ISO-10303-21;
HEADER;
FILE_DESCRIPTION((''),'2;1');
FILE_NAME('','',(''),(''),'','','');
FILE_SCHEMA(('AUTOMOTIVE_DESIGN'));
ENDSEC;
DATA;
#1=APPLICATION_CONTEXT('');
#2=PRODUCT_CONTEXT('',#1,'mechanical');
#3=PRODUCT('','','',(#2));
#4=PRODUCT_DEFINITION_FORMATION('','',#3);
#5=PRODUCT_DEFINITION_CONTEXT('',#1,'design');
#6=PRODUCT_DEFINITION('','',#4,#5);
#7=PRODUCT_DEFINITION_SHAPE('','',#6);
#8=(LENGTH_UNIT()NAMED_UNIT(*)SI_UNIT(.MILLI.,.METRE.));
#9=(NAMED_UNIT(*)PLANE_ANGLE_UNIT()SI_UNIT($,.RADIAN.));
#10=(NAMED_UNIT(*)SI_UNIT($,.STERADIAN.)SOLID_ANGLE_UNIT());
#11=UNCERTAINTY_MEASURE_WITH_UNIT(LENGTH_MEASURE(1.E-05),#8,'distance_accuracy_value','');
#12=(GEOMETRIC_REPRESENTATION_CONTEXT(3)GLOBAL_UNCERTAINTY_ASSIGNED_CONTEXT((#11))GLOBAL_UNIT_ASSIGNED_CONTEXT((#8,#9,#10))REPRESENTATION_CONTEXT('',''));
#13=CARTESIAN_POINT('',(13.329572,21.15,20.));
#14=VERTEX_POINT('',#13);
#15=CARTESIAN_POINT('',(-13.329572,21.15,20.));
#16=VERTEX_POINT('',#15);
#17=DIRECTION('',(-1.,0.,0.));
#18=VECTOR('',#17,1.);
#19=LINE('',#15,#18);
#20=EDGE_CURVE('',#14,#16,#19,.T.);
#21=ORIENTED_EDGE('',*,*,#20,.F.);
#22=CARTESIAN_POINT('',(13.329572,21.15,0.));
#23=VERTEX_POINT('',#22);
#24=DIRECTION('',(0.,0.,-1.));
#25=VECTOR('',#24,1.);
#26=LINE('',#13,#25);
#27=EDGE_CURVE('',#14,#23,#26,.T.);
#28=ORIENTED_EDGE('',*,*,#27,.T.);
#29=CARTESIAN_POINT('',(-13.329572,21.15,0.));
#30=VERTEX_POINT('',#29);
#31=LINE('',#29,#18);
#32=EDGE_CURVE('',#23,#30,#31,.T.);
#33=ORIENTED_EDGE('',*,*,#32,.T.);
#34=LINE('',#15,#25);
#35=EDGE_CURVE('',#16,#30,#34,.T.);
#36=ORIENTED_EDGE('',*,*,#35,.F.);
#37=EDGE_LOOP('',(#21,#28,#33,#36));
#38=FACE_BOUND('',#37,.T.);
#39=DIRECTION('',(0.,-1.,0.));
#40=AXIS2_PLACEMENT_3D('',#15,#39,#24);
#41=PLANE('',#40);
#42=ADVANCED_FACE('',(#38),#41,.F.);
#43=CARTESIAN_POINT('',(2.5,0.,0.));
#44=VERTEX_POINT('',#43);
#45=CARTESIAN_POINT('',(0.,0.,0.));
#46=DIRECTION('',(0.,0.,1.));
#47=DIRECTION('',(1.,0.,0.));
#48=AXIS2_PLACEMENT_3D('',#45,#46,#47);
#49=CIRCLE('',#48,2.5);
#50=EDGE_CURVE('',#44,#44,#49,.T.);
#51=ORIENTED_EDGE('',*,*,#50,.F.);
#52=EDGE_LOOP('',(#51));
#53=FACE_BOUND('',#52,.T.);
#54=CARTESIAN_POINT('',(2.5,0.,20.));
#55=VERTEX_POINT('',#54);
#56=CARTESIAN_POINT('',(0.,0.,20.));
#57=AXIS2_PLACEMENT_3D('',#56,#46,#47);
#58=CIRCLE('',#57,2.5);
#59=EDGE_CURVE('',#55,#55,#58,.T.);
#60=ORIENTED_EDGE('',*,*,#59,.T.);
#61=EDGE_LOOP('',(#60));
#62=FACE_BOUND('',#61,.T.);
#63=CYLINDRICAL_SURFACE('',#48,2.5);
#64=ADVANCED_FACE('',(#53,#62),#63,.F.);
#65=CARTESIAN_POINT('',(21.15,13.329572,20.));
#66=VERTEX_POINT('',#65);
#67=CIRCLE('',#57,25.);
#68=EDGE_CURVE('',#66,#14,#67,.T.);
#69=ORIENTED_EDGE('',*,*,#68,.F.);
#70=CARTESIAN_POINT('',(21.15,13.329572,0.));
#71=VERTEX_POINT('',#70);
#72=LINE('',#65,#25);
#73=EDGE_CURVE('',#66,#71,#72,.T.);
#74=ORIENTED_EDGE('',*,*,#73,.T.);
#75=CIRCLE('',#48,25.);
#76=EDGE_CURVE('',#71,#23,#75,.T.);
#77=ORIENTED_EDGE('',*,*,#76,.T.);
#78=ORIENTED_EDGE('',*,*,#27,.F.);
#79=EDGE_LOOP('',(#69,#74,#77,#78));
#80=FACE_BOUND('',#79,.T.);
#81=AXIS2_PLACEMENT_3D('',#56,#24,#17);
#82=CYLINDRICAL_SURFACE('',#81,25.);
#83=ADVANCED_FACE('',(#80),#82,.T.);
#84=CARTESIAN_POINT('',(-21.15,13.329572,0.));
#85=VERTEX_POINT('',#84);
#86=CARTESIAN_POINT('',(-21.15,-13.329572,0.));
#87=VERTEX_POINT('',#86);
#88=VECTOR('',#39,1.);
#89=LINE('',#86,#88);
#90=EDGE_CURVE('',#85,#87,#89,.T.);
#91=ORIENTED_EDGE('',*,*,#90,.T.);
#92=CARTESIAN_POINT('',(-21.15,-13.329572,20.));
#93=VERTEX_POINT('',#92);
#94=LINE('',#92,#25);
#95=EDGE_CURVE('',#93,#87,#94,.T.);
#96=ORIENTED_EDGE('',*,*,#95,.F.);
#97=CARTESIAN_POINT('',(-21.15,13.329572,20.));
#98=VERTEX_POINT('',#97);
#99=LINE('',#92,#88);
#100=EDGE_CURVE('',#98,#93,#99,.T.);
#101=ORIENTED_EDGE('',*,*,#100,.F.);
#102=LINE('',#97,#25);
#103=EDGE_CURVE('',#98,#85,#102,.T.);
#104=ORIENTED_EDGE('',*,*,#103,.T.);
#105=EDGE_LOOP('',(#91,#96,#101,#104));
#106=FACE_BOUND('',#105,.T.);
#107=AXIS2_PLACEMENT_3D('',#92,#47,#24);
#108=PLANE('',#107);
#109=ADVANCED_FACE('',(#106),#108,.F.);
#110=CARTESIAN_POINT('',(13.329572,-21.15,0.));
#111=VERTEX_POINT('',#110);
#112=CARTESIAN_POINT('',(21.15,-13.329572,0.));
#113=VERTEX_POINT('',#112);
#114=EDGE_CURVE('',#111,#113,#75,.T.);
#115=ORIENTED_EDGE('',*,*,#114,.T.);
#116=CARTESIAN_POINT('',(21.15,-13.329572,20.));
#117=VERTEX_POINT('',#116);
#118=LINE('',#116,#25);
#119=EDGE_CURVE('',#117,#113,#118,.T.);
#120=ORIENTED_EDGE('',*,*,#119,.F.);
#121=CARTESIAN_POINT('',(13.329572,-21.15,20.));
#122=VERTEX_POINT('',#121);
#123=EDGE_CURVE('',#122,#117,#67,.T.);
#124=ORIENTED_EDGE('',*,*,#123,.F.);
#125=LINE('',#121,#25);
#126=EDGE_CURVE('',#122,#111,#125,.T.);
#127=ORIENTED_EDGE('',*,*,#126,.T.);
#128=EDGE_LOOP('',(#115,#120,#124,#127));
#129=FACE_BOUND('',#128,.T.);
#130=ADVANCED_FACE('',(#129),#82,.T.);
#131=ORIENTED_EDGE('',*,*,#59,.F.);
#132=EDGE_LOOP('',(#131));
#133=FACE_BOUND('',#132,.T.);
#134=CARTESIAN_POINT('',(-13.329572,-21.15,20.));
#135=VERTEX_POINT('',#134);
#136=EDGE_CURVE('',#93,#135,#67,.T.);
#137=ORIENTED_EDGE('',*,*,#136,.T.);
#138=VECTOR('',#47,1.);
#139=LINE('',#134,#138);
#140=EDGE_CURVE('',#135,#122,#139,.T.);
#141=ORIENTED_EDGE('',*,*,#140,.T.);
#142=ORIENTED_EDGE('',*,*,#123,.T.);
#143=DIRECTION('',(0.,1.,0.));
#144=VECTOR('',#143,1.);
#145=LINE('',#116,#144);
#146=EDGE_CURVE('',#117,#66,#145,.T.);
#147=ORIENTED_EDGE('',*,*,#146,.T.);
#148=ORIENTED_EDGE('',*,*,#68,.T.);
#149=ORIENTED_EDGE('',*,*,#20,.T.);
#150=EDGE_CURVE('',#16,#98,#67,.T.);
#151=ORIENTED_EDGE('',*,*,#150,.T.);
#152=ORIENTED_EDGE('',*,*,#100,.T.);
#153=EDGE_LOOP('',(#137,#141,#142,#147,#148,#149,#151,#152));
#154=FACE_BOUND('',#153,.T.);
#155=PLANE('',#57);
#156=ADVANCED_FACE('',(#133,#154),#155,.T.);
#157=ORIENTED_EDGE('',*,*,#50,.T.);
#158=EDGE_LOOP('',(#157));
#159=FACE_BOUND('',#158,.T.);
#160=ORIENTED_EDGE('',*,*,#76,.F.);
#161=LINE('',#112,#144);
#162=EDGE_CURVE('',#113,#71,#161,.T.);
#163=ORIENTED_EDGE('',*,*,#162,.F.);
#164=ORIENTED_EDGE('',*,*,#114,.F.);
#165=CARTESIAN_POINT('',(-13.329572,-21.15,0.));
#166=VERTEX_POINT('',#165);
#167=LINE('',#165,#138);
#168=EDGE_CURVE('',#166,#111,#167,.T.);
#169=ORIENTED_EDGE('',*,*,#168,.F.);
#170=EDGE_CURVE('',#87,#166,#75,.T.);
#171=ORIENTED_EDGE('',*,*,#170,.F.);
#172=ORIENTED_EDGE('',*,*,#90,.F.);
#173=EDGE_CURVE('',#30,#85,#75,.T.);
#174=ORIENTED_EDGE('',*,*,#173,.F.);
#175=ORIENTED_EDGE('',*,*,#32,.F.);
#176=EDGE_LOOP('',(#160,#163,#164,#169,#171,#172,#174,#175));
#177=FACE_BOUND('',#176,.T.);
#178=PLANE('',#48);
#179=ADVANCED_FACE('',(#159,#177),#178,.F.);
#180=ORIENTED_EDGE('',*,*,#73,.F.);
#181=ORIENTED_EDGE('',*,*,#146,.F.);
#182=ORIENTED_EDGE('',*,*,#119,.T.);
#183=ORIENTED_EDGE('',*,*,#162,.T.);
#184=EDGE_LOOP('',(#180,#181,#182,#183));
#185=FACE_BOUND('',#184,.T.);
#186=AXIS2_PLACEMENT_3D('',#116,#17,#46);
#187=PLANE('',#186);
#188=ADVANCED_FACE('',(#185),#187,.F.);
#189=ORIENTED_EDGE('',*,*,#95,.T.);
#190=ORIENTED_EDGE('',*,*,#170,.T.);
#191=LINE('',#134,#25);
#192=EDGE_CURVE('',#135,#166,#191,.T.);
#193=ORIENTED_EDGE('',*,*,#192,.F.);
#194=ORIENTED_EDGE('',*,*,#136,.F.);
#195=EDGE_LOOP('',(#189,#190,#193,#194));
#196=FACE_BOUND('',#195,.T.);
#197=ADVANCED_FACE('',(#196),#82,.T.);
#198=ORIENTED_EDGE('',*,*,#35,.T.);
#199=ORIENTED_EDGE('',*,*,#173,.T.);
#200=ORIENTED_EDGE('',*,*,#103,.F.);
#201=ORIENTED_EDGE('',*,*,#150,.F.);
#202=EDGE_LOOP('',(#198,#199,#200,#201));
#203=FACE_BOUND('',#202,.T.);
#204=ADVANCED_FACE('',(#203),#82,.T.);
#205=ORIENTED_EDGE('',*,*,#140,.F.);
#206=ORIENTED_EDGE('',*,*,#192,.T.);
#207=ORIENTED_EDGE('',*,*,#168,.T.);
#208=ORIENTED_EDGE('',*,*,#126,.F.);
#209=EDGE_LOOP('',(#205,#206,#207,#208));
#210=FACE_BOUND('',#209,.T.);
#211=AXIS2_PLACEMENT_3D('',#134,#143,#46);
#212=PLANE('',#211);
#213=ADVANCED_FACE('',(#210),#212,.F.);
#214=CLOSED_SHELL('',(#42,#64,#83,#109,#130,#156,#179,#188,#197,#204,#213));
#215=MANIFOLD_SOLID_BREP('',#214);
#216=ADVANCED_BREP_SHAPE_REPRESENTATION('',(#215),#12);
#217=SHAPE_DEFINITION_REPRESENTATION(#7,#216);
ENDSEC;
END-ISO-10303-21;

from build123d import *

# Parameters (mm, degrees)
SALIENTE_EXTRUIR1_DEPTH = 20
CROQUIS2_R              = 2.5
CORTAR_EXTRUIR1_DEPTH   = 21


with BuildPart() as part:
    # Croquis1 → Saliente-Extruir1 (new body)
    with BuildSketch(Plane.XY):
        with BuildLine():
            Line((-13.329572386, -21.15), (13.329572386, -21.15))
            ThreePointArc((13.329572386, -21.15), (17.67766953, -17.67766953), (21.15, -13.329572386))
            Line((21.15, -13.329572386), (21.15, 13.329572386))
            ThreePointArc((21.15, 13.329572386), (17.67766953, 17.67766953), (13.329572386, 21.15))
            Line((13.329572386, 21.15), (-13.329572386, 21.15))
            ThreePointArc((-13.329572386, 21.15), (-17.67766953, 17.67766953), (-21.15, 13.329572386))
            Line((-21.15, 13.329572386), (-21.15, -13.329572386))
            ThreePointArc((-21.15, -13.329572386), (-17.67766953, -17.67766953), (-13.329572386, -21.15))
        make_face()
    extrude(amount=SALIENTE_EXTRUIR1_DEPTH)

    # Croquis2 → Cortar-Extruir1 (cut, through all)
    with BuildSketch(Plane.XY.offset(20)):
        Circle(CROQUIS2_R)
    extrude(amount=-CORTAR_EXTRUIR1_DEPTH, mode=Mode.SUBTRACT)


solid = part.part
